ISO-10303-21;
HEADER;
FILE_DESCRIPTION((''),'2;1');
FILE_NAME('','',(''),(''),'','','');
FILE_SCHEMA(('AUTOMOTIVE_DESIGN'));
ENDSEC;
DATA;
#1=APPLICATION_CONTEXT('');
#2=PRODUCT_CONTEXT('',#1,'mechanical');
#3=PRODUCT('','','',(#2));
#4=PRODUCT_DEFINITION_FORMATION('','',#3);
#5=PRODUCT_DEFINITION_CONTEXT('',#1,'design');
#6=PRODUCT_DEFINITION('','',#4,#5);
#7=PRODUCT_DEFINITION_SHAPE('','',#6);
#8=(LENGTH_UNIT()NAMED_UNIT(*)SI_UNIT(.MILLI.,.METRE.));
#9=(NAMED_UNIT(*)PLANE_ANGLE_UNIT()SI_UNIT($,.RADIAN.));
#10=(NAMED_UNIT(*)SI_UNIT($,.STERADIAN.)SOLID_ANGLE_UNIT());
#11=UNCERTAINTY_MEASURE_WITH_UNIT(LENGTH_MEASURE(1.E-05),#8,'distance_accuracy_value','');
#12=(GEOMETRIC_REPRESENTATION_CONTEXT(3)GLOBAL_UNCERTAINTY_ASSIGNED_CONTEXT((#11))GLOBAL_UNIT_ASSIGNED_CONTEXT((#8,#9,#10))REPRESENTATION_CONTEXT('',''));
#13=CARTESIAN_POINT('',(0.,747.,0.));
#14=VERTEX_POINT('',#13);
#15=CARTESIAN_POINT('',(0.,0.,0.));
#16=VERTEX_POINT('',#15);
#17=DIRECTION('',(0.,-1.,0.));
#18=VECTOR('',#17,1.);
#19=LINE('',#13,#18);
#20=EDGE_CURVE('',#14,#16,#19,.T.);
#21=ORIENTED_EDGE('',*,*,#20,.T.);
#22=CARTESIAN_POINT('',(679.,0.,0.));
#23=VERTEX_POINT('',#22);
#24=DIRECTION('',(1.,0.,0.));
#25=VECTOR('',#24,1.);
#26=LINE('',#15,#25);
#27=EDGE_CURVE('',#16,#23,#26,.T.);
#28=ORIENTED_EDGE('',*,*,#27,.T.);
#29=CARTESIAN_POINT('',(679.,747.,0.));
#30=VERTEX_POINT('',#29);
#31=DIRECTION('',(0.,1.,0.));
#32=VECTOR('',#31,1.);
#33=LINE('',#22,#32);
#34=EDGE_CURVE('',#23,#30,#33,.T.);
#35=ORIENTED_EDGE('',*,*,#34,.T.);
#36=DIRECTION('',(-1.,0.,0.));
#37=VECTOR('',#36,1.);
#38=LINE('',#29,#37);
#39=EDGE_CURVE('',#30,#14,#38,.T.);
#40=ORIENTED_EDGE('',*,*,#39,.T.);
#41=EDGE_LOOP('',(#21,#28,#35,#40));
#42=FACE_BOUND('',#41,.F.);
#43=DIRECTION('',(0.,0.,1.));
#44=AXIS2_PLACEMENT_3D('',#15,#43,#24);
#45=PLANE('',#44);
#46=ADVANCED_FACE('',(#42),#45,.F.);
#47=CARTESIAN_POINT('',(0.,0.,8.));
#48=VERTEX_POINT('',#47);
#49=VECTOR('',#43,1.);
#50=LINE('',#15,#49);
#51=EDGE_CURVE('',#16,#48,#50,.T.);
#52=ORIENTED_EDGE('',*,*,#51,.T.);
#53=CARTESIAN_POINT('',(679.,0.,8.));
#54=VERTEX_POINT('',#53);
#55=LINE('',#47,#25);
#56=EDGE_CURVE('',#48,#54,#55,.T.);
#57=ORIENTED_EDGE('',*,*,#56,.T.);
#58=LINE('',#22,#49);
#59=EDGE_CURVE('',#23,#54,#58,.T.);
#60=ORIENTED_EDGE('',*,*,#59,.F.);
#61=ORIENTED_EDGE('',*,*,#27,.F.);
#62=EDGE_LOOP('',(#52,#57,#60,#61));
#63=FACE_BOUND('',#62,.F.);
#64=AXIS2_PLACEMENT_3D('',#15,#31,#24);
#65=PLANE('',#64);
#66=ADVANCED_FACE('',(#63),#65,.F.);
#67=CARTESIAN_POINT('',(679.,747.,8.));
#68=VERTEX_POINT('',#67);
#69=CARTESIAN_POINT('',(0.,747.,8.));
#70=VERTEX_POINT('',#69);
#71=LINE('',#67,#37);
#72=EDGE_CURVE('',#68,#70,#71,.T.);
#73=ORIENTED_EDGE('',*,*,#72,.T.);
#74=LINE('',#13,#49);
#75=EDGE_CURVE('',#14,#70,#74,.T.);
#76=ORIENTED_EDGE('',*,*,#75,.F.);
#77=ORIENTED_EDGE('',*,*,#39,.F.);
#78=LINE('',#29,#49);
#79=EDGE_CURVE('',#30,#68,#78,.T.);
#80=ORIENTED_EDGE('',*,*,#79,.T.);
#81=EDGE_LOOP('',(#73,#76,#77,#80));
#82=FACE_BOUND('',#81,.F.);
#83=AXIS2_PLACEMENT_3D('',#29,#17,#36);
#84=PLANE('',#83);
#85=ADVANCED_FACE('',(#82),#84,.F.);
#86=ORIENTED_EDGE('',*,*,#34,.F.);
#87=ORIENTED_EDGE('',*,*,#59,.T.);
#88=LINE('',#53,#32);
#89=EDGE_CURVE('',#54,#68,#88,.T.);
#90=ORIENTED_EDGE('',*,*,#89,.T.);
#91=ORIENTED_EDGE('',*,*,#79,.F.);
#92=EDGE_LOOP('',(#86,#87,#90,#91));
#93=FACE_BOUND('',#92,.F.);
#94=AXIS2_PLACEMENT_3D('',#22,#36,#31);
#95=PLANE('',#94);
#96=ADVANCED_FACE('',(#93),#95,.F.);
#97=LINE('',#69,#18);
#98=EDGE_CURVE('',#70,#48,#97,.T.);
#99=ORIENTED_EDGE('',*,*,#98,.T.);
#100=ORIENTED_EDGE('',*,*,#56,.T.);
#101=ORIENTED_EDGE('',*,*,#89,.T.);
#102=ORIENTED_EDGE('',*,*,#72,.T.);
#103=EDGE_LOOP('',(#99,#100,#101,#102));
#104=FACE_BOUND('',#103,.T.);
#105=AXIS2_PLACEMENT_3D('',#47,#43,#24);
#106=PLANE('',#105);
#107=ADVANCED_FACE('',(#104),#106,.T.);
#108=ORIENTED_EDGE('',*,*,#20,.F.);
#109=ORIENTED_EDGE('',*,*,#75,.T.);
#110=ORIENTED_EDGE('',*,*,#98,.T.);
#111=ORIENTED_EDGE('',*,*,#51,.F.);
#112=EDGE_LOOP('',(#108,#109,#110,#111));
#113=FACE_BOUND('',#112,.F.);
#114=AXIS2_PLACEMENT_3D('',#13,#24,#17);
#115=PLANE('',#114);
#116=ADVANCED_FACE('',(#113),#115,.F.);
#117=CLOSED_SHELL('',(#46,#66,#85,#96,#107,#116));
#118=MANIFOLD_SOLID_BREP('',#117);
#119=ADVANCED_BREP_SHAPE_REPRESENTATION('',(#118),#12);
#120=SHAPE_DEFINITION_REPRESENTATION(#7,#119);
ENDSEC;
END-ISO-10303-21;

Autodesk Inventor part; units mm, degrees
ref_plane "YZ Plane" through (0, 0, 0) normal (1, 0, 0) x (0, 1, 0)
ref_plane "XZ Plane" through (0, 0, 0) normal (0, 1, 0) x (-1, 0, 0)
ref_plane "XY Plane" through (0, 0, 0) normal (0, 0, 1) x (1, 0, 0)
sketch "Sketch1" plane through (0, 0, 0) normal (0, 0, 1) x (1, 0, 0)
  line L0 (0, 0) -> (679, 0)
  line L1 (679, 0) -> (679, 747)
  line L2 (679, 747) -> (0, 747)
  line L3 (0, 747) -> (0, 0)
  dimension "d0" = 679
  dimension "d1" = 747
extrude "Extrusion1" add sketch "Sketch1" along normal blind 8
properties part number "basement door left" material "Polycarbonate, Clear"
